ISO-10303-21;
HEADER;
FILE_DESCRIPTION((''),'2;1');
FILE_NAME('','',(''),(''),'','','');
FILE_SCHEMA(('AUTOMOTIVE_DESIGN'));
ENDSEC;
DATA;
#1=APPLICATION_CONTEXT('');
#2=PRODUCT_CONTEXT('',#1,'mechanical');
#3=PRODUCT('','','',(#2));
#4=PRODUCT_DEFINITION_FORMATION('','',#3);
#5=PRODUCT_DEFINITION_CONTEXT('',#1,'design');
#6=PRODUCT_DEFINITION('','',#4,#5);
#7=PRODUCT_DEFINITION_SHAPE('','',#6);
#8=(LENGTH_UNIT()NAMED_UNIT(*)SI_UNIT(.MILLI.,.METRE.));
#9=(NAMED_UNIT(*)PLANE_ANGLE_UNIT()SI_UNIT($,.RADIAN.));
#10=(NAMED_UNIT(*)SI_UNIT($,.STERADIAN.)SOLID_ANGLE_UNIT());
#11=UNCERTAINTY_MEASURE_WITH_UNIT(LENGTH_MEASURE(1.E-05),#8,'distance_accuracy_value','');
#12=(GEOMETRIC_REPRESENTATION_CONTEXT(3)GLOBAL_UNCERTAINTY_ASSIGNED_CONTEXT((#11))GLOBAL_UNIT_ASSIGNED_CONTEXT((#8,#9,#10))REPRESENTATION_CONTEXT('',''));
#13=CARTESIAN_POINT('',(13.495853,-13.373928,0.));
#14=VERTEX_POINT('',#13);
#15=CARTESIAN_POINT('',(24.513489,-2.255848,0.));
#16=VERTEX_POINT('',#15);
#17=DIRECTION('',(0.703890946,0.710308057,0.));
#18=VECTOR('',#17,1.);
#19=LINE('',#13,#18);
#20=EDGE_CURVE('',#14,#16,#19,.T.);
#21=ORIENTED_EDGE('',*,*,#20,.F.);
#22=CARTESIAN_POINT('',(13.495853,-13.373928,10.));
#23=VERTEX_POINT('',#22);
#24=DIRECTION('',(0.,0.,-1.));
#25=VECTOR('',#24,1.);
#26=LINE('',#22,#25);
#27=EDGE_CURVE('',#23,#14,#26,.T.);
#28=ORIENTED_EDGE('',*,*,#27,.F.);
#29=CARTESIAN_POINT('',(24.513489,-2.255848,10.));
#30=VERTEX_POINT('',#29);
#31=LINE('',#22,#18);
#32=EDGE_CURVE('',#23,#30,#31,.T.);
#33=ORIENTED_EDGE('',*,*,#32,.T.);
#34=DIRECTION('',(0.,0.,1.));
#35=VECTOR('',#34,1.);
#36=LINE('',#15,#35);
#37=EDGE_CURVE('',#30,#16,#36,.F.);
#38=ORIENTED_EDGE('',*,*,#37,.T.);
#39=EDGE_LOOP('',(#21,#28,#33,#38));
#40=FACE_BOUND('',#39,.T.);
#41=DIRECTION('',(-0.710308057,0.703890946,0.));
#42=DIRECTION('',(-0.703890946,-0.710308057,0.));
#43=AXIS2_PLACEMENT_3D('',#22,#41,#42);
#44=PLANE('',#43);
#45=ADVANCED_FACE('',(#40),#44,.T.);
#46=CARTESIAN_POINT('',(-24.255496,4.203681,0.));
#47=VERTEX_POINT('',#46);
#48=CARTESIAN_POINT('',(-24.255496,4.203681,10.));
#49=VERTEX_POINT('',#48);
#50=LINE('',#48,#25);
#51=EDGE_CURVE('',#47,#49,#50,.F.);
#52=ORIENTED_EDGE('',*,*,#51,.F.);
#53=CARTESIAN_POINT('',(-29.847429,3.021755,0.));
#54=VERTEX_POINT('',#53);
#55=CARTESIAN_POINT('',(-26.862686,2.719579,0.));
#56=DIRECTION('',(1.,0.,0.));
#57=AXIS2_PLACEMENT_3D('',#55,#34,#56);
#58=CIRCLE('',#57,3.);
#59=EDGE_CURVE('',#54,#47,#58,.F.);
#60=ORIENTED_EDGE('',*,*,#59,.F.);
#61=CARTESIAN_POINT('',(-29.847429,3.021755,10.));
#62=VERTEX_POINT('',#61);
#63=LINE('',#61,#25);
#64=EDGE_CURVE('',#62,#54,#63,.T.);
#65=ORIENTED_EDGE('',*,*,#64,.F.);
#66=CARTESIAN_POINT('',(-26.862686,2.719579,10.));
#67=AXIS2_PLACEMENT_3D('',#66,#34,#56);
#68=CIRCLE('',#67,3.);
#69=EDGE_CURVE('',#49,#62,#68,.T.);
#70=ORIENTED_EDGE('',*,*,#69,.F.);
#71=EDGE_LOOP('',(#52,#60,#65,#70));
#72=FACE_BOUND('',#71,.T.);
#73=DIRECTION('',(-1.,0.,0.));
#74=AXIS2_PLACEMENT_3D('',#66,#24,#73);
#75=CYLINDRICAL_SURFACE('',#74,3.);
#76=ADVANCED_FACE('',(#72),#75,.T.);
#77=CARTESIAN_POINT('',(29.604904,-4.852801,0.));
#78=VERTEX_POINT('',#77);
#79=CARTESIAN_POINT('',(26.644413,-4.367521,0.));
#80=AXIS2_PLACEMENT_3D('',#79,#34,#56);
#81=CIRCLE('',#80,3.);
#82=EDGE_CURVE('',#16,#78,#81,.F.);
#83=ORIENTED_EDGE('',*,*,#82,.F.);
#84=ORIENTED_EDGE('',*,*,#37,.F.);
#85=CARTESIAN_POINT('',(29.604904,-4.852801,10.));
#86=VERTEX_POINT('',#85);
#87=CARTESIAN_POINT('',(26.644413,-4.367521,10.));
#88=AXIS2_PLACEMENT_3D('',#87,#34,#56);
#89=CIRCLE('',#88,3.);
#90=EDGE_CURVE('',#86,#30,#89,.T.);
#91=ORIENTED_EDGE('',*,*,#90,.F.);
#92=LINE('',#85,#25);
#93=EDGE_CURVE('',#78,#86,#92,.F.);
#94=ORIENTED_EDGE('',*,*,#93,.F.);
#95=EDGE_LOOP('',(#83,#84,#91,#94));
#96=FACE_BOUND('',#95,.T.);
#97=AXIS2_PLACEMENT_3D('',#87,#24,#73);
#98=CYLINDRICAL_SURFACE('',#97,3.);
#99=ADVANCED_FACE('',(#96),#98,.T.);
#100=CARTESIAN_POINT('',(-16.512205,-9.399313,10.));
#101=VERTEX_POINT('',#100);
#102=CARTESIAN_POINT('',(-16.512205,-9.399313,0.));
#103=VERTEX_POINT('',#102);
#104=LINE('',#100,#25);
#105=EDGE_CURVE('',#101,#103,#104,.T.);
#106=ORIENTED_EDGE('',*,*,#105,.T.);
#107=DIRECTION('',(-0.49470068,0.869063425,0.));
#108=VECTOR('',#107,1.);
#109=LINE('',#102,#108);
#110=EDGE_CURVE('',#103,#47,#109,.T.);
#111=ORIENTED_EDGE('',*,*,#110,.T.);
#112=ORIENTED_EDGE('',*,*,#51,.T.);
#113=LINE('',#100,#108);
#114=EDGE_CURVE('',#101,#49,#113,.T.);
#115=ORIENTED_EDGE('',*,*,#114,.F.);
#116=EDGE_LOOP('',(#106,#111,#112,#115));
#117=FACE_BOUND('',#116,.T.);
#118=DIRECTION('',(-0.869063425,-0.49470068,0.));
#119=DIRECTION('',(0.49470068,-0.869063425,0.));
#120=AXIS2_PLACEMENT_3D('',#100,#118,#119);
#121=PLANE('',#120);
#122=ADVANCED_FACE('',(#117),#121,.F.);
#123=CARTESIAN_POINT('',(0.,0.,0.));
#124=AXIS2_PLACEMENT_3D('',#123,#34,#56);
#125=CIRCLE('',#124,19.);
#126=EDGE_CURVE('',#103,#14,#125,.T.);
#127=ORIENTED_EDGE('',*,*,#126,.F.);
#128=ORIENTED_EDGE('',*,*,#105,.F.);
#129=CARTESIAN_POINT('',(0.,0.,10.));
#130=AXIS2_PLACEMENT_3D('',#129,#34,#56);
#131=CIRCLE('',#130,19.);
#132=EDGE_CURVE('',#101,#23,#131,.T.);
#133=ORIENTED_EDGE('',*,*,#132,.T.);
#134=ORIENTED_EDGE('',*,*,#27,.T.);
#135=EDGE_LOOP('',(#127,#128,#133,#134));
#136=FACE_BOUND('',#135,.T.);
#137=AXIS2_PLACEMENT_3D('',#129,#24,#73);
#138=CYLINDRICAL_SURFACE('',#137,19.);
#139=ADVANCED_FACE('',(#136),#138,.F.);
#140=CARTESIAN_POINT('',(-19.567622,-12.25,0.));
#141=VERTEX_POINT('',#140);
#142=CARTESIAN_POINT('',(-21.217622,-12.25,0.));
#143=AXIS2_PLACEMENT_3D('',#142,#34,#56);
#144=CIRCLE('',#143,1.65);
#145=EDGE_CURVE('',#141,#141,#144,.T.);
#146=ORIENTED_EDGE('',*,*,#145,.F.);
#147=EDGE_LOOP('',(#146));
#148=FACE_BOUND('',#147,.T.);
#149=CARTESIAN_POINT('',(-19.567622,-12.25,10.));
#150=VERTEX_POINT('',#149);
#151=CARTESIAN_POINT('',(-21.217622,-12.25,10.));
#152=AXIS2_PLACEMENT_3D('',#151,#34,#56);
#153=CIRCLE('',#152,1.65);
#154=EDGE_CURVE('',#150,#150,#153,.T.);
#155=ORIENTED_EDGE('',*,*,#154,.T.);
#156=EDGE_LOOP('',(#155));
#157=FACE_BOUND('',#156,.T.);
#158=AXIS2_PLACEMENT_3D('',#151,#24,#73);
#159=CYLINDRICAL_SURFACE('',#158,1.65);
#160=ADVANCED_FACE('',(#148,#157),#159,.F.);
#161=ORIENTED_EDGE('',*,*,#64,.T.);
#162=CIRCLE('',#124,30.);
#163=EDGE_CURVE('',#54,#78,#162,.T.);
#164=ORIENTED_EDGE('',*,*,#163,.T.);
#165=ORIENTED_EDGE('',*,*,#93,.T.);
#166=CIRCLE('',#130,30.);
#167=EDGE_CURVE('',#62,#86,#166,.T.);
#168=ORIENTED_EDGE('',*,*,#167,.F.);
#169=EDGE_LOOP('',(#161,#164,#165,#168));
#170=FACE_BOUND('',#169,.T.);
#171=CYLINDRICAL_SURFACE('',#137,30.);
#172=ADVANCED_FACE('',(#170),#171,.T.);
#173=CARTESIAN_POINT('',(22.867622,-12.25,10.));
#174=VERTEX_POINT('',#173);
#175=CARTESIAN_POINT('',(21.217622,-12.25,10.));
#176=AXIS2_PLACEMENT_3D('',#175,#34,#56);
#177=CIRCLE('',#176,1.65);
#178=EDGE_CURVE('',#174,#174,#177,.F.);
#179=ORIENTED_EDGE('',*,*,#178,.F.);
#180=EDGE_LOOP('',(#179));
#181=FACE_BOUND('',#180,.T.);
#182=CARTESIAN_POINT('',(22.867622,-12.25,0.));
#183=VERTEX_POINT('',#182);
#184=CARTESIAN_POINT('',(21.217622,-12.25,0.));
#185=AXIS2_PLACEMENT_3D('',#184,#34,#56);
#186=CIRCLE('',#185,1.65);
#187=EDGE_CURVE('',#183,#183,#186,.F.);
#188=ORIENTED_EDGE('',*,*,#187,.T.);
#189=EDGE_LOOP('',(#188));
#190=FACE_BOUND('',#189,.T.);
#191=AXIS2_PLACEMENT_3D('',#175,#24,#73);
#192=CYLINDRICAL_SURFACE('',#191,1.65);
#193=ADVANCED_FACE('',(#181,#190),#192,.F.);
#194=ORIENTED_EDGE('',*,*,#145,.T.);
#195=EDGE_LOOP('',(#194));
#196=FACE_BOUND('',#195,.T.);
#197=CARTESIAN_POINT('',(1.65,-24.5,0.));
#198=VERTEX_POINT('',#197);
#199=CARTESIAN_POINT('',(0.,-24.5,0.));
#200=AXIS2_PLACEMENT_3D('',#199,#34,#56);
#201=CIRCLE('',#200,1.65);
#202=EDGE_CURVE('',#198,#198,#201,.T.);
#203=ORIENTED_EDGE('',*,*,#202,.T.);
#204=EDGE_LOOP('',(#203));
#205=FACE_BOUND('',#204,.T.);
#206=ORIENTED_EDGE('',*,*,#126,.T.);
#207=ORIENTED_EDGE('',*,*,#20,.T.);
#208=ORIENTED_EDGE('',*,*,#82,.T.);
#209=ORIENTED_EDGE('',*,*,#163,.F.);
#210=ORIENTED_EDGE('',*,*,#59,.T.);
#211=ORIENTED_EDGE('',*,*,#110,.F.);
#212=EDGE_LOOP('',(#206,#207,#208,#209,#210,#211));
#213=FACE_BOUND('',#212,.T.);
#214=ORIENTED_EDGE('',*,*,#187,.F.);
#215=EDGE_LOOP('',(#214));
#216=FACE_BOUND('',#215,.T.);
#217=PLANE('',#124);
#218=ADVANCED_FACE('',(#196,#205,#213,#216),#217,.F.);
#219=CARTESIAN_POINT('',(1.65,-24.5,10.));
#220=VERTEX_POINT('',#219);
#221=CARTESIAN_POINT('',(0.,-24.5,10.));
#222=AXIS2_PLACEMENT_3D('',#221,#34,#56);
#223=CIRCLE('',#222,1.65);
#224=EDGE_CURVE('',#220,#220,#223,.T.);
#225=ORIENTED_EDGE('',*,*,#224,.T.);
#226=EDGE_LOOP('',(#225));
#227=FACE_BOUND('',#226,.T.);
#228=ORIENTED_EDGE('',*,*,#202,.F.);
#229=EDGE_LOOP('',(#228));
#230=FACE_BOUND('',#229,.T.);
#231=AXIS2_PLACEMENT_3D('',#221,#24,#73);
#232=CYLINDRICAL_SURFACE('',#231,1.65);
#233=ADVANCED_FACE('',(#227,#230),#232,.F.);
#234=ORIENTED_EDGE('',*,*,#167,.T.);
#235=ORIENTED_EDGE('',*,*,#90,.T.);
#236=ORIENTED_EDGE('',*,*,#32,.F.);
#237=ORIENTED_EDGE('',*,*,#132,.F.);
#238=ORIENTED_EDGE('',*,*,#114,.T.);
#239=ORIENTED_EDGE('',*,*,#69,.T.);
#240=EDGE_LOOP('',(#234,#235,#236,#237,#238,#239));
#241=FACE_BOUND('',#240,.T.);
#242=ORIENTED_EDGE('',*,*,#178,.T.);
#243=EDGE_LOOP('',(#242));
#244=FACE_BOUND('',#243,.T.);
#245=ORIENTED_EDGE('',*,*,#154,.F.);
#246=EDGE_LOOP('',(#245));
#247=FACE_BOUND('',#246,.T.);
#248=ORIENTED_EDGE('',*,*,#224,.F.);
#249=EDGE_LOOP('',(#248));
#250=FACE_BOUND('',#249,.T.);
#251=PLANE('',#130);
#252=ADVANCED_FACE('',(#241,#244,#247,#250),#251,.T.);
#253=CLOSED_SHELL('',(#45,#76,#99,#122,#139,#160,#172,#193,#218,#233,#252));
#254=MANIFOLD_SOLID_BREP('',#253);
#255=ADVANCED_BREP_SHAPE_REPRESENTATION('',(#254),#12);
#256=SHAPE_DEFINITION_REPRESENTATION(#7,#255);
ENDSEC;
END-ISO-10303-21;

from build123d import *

# Parameters (mm, degrees)
SKETCH_1_R      = 1.65
EXTRUDE_2_DEPTH = 10
FILLET_2_R      = 3


with BuildPart() as part:
    # ｽｹｯﾁ1 → ﾎﾞｽ - 押し出し2 (new body)
    with BuildSketch(Plane.XY):
        with BuildLine():
            ThreePointArc((13.495853088, -13.373927973), (-2.494791786, -18.835498771), (-16.512205084, -9.399312914))
            Line((-16.512205084, -9.399312914), (-27.997360851, 10.777188196))
            ThreePointArc((-27.997360851, 10.777188196), (-5.480838188, -29.495091333), (30, 0))
            ThreePointArc((30, 0), (29.95938456, 1.560537335), (29.837648215, 3.116849208))
            Line((29.837648215, 3.116849208), (13.495853088, -13.373927973))
        make_face()
        with Locations((-21.217622393, -12.25)):
            Circle(SKETCH_1_R, mode=Mode.SUBTRACT)
        with Locations((0, -24.5)):
            Circle(SKETCH_1_R, mode=Mode.SUBTRACT)
        with Locations((21.217622393, -12.25)):
            Circle(SKETCH_1_R, mode=Mode.SUBTRACT)
    extrude(amount=EXTRUDE_2_DEPTH)

    # ﾌｨﾚｯﾄ2
    fillet_2_edges = [part.edges().sort_by_distance(p)[0] for p in [
        (29.837648215, 3.116849208, 5),
        (-27.997360851, 10.777188196, 5),
    ]]
    fillet(fillet_2_edges, radius=FILLET_2_R)


solid = part.part
